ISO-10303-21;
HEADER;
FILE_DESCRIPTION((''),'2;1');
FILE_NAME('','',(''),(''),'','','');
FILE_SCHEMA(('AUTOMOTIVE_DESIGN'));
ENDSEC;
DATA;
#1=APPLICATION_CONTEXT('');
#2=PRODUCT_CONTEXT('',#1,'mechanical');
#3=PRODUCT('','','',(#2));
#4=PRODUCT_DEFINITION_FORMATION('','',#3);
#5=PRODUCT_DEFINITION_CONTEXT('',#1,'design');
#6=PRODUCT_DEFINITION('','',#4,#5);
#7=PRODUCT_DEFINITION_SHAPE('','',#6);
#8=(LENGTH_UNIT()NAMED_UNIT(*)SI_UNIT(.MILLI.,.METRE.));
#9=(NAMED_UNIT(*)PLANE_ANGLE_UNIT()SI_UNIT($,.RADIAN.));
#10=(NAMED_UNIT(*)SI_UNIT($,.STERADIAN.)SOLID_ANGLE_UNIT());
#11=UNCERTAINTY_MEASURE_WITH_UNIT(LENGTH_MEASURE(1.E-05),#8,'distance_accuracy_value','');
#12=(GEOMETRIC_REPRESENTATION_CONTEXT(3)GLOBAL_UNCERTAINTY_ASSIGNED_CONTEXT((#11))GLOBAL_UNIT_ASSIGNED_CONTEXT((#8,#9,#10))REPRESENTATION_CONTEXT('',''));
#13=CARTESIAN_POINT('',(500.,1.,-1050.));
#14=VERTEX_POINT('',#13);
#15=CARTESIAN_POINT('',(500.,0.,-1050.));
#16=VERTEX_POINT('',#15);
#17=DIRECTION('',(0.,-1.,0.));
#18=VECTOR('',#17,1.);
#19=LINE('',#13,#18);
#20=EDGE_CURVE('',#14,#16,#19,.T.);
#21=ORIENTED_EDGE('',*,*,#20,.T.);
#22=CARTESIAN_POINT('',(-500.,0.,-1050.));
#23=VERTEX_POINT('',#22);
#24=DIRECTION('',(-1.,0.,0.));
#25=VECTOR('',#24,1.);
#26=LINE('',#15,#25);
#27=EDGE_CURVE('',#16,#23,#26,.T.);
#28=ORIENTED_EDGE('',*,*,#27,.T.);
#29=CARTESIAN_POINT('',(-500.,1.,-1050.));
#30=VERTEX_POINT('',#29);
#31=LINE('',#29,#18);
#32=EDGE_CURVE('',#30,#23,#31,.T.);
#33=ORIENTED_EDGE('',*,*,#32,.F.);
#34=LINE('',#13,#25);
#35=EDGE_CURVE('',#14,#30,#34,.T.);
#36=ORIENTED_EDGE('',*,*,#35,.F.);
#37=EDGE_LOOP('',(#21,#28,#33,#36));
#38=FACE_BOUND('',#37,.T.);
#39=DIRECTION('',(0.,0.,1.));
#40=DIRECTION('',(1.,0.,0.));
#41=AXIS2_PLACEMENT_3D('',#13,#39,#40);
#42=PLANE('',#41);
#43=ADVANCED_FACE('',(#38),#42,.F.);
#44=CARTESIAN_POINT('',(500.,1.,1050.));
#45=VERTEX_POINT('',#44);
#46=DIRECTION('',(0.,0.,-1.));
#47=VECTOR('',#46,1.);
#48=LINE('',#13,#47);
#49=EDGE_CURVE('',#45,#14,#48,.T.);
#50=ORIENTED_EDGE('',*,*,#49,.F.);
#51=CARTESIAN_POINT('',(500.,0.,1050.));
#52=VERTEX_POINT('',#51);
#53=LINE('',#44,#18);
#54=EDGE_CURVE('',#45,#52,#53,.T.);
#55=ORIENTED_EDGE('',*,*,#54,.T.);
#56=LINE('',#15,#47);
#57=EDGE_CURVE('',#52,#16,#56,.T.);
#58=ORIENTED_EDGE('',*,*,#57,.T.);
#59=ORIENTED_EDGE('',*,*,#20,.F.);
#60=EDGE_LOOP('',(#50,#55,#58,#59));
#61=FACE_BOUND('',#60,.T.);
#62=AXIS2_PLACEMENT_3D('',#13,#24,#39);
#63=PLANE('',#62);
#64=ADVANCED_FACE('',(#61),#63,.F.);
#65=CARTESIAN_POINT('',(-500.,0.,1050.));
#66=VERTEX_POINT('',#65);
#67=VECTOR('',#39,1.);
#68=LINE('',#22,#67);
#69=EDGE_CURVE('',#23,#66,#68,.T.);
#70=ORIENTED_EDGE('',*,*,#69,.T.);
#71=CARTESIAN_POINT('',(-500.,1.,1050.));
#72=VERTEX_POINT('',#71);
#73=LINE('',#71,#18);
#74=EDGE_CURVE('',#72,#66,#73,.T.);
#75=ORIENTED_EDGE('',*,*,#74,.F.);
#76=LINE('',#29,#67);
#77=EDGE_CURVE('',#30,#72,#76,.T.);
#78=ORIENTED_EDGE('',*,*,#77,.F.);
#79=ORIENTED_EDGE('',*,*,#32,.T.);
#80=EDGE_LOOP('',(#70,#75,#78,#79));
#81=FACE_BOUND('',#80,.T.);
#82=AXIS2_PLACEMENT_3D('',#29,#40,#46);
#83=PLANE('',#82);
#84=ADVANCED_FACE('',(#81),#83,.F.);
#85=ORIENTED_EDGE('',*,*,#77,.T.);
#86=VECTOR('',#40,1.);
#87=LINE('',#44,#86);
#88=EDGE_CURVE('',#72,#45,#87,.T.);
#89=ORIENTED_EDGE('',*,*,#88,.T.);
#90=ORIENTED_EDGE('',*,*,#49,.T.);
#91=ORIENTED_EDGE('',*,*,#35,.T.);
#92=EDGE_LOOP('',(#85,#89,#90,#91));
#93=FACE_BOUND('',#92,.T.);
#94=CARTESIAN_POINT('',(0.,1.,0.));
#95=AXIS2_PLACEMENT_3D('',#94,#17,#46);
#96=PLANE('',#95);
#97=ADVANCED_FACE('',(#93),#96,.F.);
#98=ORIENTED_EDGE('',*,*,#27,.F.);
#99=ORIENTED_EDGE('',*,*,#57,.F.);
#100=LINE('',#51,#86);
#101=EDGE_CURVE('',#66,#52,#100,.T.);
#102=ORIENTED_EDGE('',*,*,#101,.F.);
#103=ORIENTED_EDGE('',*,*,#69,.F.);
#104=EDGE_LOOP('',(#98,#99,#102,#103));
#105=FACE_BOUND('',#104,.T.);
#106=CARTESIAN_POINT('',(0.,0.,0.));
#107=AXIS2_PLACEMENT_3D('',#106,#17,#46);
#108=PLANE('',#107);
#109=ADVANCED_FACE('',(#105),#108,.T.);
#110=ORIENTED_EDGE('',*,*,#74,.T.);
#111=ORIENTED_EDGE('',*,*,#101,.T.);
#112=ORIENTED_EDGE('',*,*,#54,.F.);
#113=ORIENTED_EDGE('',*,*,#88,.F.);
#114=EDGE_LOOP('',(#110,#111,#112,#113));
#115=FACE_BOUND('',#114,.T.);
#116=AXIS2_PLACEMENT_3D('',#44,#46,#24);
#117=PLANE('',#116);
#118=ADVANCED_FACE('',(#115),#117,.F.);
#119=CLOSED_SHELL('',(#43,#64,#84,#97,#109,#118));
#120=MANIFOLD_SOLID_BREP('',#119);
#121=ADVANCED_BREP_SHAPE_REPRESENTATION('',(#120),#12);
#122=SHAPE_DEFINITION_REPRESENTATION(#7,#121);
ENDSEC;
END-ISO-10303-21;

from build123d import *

# Parameters (mm, degrees)
SKETCH_1_W      = 1000
SKETCH_1_H      = 2100
EXTRUDE_1_DEPTH = 1


with BuildPart() as part:
    # Эскиз1 → Бобышка-Вытянуть1 (new body)
    with BuildSketch(Plane(origin=(0, 0, 0), x_dir=(1, 0, 0), z_dir=(0, 1, 0))):
        Rectangle(SKETCH_1_W, SKETCH_1_H)
    extrude(amount=EXTRUDE_1_DEPTH)


solid = part.part
